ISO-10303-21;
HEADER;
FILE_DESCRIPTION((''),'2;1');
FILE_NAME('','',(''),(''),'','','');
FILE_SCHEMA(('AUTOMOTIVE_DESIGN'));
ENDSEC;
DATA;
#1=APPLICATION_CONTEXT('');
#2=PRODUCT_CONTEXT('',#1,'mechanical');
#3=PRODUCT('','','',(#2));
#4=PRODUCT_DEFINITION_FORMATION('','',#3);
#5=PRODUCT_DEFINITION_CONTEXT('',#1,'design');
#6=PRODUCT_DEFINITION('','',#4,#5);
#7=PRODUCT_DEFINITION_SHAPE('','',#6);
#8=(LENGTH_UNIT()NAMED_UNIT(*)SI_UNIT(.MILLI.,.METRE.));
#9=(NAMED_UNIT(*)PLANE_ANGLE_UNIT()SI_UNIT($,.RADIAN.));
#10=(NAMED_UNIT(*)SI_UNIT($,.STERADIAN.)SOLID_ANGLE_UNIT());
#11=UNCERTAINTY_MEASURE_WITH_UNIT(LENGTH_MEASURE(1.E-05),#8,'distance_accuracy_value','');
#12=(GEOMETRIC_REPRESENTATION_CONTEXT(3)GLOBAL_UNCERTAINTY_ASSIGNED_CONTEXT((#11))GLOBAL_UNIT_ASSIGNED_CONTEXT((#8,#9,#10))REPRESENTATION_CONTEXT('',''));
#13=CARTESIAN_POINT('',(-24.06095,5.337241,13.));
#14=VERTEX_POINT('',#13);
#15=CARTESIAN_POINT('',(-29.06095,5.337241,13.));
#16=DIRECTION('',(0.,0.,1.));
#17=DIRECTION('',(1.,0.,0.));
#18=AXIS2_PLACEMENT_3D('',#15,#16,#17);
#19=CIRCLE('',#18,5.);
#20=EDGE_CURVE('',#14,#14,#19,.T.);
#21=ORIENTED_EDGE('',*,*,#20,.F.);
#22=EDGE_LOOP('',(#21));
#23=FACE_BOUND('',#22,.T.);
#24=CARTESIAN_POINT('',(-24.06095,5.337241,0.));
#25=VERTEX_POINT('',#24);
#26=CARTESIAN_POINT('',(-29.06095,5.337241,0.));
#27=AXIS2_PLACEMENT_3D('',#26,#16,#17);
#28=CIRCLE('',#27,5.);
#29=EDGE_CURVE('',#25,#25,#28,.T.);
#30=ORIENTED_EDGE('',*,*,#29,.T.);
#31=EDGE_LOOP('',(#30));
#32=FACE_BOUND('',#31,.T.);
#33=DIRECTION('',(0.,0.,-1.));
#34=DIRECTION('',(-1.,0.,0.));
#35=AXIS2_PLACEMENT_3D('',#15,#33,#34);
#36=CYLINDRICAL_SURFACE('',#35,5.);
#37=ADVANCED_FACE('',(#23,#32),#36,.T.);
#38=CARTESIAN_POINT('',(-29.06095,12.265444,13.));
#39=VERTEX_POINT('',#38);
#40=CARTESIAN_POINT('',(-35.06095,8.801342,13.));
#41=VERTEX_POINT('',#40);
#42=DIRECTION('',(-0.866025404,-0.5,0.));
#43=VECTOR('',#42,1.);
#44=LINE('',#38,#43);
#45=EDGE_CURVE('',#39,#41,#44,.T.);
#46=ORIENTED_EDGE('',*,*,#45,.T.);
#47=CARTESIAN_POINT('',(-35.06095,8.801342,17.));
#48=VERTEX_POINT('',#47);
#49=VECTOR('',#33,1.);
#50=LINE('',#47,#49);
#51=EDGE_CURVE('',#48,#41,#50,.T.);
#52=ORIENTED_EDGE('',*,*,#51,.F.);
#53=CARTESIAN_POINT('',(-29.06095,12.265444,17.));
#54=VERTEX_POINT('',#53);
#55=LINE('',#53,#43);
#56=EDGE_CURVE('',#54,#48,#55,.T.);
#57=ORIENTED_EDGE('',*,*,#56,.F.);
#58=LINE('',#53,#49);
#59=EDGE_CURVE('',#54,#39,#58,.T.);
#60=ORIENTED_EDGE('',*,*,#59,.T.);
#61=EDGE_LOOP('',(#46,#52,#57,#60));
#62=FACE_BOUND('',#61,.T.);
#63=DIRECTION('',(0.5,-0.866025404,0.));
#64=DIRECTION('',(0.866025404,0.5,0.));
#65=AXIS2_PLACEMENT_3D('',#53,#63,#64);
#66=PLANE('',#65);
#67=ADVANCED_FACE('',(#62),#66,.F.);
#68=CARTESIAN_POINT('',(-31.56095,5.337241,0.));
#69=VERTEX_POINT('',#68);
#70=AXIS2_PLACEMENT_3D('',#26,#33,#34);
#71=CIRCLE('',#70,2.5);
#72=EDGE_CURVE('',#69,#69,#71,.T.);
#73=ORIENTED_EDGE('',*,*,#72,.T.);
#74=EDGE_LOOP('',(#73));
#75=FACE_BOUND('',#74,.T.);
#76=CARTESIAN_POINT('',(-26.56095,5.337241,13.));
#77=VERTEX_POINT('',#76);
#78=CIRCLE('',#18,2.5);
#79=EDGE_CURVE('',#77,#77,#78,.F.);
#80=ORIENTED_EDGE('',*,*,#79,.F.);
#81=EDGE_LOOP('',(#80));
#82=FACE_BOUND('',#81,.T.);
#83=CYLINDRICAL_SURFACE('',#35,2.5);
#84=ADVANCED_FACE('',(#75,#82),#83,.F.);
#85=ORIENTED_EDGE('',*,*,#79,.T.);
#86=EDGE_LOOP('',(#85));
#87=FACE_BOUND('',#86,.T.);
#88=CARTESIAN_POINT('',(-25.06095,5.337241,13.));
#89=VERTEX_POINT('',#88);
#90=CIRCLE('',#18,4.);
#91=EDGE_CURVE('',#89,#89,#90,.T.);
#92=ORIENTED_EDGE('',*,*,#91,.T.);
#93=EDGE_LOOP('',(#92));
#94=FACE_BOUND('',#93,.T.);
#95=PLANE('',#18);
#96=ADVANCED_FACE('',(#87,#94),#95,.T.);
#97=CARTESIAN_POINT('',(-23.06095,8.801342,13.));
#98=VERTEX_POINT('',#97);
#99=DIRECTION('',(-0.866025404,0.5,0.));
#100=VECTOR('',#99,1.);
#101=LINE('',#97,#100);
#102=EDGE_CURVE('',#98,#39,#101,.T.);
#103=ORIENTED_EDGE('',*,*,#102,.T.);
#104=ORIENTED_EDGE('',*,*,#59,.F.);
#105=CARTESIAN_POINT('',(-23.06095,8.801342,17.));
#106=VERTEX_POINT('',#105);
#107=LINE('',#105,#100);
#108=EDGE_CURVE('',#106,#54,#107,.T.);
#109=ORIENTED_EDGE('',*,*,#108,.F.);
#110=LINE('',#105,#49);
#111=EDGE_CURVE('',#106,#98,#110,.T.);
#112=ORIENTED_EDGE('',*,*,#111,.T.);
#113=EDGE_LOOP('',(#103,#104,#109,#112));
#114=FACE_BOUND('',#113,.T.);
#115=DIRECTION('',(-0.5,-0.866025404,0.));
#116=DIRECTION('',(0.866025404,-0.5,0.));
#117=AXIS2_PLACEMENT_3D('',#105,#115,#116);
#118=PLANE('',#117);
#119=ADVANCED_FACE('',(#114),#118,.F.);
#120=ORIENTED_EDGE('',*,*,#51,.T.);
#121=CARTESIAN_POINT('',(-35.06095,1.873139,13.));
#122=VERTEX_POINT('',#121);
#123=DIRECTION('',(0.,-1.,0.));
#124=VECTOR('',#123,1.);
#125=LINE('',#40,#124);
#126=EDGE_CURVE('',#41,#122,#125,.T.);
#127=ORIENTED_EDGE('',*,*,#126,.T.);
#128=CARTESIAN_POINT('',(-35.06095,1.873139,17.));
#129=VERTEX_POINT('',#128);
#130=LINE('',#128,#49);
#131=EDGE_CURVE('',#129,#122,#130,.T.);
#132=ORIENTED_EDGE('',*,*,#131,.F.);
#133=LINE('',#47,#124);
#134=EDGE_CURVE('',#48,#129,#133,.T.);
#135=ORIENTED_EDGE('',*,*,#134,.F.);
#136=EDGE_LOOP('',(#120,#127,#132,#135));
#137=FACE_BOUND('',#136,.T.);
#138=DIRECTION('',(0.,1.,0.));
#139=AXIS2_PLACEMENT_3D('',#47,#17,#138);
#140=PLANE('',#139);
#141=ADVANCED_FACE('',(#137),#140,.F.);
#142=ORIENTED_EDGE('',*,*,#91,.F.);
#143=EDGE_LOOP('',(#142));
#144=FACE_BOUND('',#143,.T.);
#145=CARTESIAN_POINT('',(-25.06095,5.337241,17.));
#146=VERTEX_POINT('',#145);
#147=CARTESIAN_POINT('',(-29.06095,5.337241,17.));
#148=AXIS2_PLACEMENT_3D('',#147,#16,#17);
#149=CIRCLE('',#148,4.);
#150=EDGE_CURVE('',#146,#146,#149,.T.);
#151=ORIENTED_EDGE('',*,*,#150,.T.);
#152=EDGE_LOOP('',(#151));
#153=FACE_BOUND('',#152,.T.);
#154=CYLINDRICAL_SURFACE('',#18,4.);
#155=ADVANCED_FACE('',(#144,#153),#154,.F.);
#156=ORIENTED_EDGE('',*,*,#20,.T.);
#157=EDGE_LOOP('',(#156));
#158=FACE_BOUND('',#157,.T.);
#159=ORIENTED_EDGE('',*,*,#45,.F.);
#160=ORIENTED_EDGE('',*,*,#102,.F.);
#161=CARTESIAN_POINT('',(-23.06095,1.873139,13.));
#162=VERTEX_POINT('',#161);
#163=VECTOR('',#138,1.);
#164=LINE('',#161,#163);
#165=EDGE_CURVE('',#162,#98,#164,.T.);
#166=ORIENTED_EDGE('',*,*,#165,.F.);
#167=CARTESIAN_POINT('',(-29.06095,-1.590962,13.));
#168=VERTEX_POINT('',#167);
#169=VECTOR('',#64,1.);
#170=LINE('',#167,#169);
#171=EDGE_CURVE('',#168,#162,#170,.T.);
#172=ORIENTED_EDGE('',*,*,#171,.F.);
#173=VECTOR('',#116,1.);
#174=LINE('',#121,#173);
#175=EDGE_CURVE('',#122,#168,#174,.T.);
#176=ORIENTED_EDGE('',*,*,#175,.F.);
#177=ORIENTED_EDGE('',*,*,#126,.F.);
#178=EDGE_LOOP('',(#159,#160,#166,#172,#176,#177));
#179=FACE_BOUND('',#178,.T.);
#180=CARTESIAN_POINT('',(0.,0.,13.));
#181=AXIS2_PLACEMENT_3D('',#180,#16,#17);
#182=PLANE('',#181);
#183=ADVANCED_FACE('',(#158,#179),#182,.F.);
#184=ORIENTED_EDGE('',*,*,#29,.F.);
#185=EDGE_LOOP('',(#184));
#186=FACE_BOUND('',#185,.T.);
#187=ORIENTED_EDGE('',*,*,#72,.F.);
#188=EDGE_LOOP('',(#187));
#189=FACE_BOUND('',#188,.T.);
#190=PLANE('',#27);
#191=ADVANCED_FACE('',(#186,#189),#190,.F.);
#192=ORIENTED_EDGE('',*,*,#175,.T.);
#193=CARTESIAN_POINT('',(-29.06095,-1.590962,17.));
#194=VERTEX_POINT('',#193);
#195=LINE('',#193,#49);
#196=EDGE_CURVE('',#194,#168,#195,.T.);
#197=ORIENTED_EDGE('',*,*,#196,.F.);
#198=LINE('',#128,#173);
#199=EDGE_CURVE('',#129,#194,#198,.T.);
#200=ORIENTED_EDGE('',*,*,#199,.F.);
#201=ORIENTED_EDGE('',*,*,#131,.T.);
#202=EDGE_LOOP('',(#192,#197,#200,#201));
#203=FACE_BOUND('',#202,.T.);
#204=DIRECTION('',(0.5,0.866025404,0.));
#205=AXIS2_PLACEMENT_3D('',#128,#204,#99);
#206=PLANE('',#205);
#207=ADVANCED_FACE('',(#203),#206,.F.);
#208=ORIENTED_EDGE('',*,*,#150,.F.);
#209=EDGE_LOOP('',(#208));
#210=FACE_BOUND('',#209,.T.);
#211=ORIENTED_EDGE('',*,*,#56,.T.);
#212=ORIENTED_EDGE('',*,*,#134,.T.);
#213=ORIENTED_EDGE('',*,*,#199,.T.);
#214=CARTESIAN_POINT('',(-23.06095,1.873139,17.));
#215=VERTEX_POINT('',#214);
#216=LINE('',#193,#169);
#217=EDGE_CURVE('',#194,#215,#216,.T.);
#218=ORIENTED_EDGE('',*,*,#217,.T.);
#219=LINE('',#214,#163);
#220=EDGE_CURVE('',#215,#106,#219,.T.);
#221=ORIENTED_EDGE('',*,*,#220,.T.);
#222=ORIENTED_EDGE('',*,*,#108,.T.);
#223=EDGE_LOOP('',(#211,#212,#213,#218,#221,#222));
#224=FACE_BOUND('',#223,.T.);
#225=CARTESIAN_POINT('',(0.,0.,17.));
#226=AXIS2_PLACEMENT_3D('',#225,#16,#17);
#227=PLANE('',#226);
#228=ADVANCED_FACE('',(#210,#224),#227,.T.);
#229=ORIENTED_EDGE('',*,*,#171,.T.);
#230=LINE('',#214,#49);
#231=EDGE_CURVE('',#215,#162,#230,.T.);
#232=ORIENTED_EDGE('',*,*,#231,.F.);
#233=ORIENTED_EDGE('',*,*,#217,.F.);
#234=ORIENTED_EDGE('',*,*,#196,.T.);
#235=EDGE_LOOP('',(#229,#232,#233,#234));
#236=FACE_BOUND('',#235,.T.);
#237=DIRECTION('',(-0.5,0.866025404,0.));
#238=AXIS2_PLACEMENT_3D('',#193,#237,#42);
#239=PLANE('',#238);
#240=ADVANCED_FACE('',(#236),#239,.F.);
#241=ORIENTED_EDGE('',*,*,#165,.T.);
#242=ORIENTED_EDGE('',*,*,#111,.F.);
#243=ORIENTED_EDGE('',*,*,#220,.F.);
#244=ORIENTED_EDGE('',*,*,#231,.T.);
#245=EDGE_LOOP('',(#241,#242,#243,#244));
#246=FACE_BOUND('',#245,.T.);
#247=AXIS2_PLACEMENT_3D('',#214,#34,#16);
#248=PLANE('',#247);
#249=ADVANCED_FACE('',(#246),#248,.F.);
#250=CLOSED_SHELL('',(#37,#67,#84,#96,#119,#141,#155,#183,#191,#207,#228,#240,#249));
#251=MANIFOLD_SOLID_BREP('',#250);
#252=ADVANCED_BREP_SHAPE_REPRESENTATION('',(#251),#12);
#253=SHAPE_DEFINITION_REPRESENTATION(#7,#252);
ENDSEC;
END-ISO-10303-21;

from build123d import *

# Parameters (mm, degrees)
SKETCH2_R           = 5
BOSS_EXTRUDE1_DEPTH = 13
BOSS_EXTRUDE2_DEPTH = 4
SKETCH4_R           = 2.5
CUT_EXTRUDE1_DEPTH  = 13
SKETCH5_R           = 4
CUT_EXTRUDE2_DEPTH  = 4


with BuildPart() as part:
    # Sketch2 → Boss-Extrude1 (new body)
    with BuildSketch(Plane.XY):
        with Locations((-29.060949788, 5.337240829)):
            Circle(SKETCH2_R)
    extrude(amount=BOSS_EXTRUDE1_DEPTH)

    # Sketch3 → Boss-Extrude2 (add)
    with BuildSketch(Plane.XY.offset(13)):
        Polygon((-29.060949788, -1.590962401), (-23.060949788, 1.873139214), (-23.060949788, 8.801342444), (-29.060949788, 12.26544406), (-35.060949788, 8.801342444), (-35.060949788, 1.873139214), align=None)
    extrude(amount=BOSS_EXTRUDE2_DEPTH)

    # Sketch4 → Cut-Extrude1 (cut)
    with BuildSketch(Plane(origin=(0, 0, 0), x_dir=(-1, 0, 0), z_dir=(0, 0, -1))):
        with Locations((29.060949788, 5.337240829)):
            Circle(SKETCH4_R)
    extrude(amount=-CUT_EXTRUDE1_DEPTH, mode=Mode.SUBTRACT)

    # Sketch5 → Cut-Extrude2 (cut)
    with BuildSketch(Plane.XY.offset(17)):
        with Locations((-29.060949788, 5.337240829)):
            Circle(SKETCH5_R)
    extrude(amount=-CUT_EXTRUDE2_DEPTH, mode=Mode.SUBTRACT)


solid = part.part
